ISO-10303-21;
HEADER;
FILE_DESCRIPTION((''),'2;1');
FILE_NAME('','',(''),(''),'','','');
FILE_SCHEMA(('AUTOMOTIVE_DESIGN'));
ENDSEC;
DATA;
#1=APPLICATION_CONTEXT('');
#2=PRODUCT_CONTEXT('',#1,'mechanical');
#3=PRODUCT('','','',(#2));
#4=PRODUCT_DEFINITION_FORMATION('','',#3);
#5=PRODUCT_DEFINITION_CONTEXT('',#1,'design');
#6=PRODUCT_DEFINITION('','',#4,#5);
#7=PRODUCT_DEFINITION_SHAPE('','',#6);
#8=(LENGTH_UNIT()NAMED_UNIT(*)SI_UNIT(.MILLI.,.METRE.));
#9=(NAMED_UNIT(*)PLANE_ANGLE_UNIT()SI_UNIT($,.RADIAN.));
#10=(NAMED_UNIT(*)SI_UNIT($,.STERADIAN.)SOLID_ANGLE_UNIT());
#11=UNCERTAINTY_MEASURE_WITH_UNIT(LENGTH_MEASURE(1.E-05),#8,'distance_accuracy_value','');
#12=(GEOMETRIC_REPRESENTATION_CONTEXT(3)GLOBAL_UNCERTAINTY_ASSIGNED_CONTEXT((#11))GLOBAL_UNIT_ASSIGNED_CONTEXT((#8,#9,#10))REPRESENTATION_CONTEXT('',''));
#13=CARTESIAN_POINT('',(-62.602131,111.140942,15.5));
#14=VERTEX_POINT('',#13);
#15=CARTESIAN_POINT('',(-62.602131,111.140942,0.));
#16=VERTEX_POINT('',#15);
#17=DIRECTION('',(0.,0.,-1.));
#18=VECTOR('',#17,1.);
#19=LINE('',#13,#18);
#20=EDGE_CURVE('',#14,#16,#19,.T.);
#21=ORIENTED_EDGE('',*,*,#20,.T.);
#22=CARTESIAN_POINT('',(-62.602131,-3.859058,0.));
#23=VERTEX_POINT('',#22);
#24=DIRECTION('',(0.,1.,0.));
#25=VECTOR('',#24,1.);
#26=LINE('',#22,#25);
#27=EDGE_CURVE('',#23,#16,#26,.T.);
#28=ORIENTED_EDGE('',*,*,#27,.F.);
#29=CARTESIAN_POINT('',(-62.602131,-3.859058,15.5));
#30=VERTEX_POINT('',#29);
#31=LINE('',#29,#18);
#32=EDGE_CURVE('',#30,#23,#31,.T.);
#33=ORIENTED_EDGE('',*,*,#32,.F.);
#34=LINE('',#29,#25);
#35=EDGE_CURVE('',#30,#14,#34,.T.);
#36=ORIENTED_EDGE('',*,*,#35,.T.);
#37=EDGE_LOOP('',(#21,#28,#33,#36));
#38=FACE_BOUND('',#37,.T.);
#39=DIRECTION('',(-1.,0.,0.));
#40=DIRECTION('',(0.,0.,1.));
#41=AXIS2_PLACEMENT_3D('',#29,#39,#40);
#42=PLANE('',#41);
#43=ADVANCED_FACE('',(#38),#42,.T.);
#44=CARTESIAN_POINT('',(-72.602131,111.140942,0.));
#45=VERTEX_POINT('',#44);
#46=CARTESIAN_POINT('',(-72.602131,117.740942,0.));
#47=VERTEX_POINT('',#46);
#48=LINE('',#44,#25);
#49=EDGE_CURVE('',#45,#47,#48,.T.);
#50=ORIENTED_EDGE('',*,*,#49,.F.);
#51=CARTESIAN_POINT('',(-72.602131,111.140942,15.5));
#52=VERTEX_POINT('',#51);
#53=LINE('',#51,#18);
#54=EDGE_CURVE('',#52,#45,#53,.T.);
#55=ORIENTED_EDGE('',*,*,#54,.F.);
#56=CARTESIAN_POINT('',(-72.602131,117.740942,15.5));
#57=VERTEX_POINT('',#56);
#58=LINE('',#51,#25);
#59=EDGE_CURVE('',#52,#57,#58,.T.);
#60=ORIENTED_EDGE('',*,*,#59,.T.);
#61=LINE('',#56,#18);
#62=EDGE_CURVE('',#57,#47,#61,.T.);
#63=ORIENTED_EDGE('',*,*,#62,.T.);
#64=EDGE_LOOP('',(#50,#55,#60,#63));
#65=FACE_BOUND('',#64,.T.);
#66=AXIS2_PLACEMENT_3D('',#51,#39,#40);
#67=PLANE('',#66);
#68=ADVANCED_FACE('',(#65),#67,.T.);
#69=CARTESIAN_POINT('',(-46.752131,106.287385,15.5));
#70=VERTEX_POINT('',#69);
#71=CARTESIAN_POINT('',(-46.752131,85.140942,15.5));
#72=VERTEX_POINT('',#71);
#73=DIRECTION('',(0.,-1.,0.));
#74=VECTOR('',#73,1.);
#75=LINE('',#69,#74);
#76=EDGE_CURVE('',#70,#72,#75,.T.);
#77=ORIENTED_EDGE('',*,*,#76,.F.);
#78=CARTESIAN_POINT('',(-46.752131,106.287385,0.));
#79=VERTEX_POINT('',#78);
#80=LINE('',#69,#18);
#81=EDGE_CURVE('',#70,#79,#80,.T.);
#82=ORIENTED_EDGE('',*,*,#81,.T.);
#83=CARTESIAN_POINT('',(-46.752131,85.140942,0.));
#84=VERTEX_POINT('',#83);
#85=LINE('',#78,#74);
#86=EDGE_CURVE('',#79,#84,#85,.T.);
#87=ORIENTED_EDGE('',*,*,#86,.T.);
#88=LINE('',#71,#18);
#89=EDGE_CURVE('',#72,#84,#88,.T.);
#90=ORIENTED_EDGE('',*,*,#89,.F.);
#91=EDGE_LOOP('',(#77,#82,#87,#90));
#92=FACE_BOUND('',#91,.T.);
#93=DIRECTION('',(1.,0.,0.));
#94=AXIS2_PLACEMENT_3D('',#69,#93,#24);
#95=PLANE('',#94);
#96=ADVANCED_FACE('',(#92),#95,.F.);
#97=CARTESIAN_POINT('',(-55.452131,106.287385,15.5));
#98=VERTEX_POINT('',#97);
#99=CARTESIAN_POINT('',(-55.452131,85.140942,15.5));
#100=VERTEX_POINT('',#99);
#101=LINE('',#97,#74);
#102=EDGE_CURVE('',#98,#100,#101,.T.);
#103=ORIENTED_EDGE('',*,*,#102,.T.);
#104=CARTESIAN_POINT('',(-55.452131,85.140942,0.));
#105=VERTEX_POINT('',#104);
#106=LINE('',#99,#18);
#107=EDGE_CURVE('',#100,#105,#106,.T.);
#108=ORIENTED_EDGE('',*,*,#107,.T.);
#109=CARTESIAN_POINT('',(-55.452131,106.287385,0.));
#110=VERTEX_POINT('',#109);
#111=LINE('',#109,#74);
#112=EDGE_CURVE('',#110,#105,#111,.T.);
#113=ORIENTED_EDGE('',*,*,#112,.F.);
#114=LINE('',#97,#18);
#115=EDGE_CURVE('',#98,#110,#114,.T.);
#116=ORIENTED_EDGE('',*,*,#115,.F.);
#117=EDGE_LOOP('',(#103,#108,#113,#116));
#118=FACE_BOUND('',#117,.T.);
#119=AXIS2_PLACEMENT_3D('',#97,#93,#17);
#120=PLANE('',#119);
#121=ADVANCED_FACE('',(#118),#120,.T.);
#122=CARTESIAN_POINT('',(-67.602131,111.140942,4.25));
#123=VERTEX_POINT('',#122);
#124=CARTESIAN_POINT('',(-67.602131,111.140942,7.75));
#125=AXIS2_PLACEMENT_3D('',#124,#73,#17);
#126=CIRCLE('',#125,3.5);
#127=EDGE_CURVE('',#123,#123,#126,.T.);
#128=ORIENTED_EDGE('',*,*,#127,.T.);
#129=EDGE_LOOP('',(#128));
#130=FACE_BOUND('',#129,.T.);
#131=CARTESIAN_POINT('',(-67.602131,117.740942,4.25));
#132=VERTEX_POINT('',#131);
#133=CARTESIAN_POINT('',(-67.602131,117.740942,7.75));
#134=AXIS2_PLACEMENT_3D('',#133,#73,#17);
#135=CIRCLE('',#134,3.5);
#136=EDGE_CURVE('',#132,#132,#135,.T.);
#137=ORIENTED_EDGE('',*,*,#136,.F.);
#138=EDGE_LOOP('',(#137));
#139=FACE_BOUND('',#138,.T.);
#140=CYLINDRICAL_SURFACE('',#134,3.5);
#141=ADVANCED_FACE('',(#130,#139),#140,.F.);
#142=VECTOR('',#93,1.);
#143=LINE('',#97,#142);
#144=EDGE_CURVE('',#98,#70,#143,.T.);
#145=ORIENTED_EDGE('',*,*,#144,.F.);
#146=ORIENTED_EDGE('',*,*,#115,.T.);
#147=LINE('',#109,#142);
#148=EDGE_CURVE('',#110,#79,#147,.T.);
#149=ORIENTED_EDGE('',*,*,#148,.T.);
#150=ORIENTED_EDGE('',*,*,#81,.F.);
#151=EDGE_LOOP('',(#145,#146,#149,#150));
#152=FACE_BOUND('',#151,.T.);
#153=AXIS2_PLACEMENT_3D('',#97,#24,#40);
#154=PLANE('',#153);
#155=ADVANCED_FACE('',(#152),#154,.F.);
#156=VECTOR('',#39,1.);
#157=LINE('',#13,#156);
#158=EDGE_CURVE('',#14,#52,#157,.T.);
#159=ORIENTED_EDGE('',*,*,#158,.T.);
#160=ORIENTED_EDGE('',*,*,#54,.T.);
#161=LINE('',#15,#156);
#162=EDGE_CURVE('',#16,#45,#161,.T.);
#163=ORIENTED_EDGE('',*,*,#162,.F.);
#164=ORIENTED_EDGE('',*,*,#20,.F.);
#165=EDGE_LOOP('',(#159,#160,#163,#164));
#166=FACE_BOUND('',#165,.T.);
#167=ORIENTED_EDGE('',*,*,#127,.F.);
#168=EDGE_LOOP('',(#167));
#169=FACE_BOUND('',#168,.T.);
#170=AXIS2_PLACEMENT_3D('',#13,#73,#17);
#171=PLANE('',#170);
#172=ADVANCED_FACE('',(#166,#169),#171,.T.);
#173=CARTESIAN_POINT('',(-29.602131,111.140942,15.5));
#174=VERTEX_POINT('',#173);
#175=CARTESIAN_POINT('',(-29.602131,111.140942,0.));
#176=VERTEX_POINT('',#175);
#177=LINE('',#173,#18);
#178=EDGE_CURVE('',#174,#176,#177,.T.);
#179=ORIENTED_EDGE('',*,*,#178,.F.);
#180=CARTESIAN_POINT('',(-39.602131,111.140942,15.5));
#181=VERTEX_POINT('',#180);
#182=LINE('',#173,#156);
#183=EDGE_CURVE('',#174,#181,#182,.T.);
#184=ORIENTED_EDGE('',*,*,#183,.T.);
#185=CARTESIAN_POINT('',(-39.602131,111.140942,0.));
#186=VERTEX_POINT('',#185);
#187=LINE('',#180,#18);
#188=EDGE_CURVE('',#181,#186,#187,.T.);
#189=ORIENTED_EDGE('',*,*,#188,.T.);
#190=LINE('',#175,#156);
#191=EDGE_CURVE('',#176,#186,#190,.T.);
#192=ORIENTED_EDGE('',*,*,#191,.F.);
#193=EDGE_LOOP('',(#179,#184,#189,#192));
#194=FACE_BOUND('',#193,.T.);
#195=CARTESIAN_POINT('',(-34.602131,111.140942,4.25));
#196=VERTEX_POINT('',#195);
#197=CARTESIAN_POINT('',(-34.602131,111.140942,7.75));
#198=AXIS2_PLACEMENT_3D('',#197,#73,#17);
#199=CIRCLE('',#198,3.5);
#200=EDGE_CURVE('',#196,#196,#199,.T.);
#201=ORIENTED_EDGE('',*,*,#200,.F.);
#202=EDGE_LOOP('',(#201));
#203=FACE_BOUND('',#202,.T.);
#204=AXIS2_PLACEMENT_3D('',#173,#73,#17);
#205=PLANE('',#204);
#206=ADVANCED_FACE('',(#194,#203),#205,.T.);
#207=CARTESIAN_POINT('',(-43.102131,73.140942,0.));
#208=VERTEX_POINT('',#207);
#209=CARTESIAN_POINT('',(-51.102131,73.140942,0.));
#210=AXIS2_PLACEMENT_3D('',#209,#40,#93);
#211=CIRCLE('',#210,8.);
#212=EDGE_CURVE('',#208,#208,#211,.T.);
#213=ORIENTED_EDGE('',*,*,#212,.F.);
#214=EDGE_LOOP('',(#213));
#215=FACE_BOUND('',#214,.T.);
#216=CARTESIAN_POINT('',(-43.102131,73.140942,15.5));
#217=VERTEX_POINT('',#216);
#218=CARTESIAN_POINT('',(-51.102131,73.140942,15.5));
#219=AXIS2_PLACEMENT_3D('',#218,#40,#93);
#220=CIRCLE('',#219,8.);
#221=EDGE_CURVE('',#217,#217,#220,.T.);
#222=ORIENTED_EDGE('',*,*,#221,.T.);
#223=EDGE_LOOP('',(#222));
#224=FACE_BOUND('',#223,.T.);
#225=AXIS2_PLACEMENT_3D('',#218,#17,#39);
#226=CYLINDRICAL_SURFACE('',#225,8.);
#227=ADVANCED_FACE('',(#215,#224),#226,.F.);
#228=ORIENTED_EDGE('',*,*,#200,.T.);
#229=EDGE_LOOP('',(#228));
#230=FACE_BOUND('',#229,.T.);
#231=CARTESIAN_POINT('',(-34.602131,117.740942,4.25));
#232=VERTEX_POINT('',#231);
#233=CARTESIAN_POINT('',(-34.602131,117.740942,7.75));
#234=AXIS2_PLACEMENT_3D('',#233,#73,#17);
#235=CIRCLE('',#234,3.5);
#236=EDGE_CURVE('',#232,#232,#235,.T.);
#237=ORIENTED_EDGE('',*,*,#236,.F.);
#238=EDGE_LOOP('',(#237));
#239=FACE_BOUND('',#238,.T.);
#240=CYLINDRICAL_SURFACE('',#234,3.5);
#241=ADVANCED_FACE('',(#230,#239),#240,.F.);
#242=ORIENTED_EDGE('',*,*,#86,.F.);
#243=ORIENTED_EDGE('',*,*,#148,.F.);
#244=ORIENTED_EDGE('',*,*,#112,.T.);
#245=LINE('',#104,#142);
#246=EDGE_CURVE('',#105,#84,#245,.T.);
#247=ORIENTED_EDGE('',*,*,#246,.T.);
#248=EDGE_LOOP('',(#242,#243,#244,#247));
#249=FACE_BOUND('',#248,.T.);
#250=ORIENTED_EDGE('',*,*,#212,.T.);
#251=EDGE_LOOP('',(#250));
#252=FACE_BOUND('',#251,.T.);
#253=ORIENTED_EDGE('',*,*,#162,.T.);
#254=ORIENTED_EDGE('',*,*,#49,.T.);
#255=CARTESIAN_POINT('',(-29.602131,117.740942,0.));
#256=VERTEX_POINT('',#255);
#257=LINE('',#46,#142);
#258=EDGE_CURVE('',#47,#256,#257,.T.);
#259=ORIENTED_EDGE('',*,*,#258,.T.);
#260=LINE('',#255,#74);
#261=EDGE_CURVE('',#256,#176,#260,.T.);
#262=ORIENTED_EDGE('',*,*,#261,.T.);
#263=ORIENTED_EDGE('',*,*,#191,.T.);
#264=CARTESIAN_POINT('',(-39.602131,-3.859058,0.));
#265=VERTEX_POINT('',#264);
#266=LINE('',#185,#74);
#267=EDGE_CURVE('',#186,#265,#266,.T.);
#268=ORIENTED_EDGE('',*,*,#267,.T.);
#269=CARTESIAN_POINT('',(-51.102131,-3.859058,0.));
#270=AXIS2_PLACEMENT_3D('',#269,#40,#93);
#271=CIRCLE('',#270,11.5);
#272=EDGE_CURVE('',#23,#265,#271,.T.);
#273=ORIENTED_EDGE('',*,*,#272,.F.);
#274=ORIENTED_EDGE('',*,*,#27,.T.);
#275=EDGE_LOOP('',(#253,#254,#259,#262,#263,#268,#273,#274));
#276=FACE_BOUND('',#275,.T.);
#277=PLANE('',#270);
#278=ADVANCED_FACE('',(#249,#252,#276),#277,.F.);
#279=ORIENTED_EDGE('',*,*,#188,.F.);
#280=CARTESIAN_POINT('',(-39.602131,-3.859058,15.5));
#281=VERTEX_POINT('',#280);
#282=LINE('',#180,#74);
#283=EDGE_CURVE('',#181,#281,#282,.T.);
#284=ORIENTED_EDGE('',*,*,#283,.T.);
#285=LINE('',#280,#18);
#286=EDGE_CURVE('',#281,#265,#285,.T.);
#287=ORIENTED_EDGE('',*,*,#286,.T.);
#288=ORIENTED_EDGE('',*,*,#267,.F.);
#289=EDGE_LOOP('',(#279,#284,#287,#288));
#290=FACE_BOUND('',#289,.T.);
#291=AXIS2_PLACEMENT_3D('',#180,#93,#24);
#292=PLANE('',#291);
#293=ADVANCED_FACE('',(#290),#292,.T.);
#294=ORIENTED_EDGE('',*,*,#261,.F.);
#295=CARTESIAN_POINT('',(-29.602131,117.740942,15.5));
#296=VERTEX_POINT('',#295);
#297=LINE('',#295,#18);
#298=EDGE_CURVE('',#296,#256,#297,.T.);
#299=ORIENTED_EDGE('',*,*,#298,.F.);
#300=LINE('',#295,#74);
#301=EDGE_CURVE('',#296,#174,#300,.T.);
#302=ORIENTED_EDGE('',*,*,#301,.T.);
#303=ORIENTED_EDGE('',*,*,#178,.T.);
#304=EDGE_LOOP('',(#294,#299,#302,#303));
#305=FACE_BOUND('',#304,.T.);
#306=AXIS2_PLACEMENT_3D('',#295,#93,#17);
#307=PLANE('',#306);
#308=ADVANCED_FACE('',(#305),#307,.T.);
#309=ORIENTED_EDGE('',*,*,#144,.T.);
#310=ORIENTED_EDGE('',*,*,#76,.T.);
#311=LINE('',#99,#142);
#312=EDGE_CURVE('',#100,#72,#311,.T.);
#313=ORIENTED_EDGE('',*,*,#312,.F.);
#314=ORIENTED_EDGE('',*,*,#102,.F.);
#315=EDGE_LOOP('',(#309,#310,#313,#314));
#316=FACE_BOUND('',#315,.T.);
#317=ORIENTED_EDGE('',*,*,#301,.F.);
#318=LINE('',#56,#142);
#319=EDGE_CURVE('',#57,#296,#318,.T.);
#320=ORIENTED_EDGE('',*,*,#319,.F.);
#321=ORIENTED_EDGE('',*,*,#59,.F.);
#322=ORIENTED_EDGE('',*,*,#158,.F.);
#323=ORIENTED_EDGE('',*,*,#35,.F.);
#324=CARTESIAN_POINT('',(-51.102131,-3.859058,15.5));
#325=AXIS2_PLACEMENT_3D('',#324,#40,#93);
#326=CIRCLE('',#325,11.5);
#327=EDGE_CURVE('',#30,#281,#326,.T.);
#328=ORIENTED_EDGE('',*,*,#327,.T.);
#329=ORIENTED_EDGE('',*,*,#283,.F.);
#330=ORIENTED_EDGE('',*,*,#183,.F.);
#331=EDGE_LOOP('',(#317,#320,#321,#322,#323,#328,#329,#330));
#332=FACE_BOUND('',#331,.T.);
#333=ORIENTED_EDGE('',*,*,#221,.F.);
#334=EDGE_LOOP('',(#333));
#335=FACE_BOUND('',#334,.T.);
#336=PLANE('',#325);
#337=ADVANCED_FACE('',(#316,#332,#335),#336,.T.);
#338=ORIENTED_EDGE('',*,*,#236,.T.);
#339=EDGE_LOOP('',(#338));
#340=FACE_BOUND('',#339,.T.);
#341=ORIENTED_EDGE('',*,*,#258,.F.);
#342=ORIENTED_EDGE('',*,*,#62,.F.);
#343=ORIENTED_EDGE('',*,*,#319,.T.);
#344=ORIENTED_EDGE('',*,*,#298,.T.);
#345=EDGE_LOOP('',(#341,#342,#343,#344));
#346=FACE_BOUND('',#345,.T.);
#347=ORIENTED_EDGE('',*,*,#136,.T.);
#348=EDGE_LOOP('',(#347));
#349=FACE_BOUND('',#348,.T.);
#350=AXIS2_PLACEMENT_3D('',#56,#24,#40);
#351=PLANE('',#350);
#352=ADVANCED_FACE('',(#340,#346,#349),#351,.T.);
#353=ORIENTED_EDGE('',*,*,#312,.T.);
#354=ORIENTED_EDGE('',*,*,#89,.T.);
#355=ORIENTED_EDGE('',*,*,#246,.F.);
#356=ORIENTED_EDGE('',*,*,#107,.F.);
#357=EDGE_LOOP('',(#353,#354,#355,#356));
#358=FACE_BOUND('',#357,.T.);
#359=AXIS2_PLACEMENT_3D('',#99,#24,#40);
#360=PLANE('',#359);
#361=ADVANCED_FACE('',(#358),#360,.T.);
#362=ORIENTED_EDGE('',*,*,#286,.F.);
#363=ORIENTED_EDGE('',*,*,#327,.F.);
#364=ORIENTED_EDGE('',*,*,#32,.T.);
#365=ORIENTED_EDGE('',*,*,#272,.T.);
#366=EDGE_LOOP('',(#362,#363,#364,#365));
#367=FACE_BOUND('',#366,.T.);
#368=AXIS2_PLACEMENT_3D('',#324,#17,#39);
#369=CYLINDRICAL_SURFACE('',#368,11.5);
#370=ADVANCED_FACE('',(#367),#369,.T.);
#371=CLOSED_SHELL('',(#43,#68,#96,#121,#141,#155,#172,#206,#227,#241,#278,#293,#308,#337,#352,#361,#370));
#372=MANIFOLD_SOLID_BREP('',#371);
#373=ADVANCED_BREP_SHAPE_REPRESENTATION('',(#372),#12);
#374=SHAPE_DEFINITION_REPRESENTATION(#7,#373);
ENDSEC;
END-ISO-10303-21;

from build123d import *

# Parameters (mm, degrees)
ESTRUSIONE_ESTRUSIONE3_DEPTH = 15.5
SCHIZZO6_R                   = 8
TAGLIO_ESTRUSIONE1_DEPTH     = 15.5
SCHIZZO7_W                   = 8.7
SCHIZZO7_H                   = 21.146442976
TAGLIO_ESTRUSIONE2_DEPTH     = 15.5
SCHIZZO14_R                  = 3.5
TAGLIO_ESTRUSIONE3_DEPTH     = 6.6
SCHIZZO15_R                  = 3.5
TAGLIO_ESTRUSIONE4_DEPTH     = 6.6


with BuildPart() as part:
    # Schizzo3 → Estrusione-Estrusione3 (new body)
    with BuildSketch(Plane.XY):
        with BuildLine():
            Line((-62.60213075, -3.859058403), (-62.60213075, 111.140941597))
            Line((-62.60213075, 111.140941597), (-72.60213075, 111.140941597))
            Line((-72.60213075, 111.140941597), (-72.60213075, 117.740941597))
            Line((-72.60213075, 117.740941597), (-29.60213075, 117.740941597))
            Line((-29.60213075, 117.740941597), (-29.60213075, 111.140941597))
            Line((-29.60213075, 111.140941597), (-39.60213075, 111.140941597))
            Line((-39.60213075, 111.140941597), (-39.60213075, -3.859058403))
            ThreePointArc((-39.60213075, -3.859058403), (-51.10213075, -15.359058403), (-62.60213075, -3.859058403))
        make_face()
    extrude(amount=ESTRUSIONE_ESTRUSIONE3_DEPTH)

    # Schizzo6 → Taglio-Estrusione1 (cut)
    with BuildSketch(Plane.XY):
        with Locations((-51.10213075, 73.140941597)):
            Circle(SCHIZZO6_R)
    extrude(amount=TAGLIO_ESTRUSIONE1_DEPTH, mode=Mode.SUBTRACT)

    # Schizzo7 → Taglio-Estrusione2 (cut)
    with BuildSketch(Plane.XY):
        with Locations((-51.10213075, 95.714163085)):
            Rectangle(SCHIZZO7_W, SCHIZZO7_H)
    extrude(amount=TAGLIO_ESTRUSIONE2_DEPTH, mode=Mode.SUBTRACT)

    # Schizzo14 → Taglio-Estrusione3 (cut)
    with BuildSketch(Plane(origin=(0, 111.140941597, 0), x_dir=(-1, 0, 0), z_dir=(0, -1, 0))):
        with Locations(Location((34.60213075, -7.75, 0), (0, 0, 90))):
            Circle(SCHIZZO14_R)
    extrude(amount=-TAGLIO_ESTRUSIONE3_DEPTH, mode=Mode.SUBTRACT)

    # Schizzo15 → Taglio-Estrusione4 (cut)
    with BuildSketch(Plane(origin=(0, 111.140941597, 0), x_dir=(-1, 0, 0), z_dir=(0, -1, 0))):
        with Locations(Location((67.60213075, -7.75, 0), (0, 0, 90))):
            Circle(SCHIZZO15_R)
    extrude(amount=-TAGLIO_ESTRUSIONE4_DEPTH, mode=Mode.SUBTRACT)


solid = part.part
